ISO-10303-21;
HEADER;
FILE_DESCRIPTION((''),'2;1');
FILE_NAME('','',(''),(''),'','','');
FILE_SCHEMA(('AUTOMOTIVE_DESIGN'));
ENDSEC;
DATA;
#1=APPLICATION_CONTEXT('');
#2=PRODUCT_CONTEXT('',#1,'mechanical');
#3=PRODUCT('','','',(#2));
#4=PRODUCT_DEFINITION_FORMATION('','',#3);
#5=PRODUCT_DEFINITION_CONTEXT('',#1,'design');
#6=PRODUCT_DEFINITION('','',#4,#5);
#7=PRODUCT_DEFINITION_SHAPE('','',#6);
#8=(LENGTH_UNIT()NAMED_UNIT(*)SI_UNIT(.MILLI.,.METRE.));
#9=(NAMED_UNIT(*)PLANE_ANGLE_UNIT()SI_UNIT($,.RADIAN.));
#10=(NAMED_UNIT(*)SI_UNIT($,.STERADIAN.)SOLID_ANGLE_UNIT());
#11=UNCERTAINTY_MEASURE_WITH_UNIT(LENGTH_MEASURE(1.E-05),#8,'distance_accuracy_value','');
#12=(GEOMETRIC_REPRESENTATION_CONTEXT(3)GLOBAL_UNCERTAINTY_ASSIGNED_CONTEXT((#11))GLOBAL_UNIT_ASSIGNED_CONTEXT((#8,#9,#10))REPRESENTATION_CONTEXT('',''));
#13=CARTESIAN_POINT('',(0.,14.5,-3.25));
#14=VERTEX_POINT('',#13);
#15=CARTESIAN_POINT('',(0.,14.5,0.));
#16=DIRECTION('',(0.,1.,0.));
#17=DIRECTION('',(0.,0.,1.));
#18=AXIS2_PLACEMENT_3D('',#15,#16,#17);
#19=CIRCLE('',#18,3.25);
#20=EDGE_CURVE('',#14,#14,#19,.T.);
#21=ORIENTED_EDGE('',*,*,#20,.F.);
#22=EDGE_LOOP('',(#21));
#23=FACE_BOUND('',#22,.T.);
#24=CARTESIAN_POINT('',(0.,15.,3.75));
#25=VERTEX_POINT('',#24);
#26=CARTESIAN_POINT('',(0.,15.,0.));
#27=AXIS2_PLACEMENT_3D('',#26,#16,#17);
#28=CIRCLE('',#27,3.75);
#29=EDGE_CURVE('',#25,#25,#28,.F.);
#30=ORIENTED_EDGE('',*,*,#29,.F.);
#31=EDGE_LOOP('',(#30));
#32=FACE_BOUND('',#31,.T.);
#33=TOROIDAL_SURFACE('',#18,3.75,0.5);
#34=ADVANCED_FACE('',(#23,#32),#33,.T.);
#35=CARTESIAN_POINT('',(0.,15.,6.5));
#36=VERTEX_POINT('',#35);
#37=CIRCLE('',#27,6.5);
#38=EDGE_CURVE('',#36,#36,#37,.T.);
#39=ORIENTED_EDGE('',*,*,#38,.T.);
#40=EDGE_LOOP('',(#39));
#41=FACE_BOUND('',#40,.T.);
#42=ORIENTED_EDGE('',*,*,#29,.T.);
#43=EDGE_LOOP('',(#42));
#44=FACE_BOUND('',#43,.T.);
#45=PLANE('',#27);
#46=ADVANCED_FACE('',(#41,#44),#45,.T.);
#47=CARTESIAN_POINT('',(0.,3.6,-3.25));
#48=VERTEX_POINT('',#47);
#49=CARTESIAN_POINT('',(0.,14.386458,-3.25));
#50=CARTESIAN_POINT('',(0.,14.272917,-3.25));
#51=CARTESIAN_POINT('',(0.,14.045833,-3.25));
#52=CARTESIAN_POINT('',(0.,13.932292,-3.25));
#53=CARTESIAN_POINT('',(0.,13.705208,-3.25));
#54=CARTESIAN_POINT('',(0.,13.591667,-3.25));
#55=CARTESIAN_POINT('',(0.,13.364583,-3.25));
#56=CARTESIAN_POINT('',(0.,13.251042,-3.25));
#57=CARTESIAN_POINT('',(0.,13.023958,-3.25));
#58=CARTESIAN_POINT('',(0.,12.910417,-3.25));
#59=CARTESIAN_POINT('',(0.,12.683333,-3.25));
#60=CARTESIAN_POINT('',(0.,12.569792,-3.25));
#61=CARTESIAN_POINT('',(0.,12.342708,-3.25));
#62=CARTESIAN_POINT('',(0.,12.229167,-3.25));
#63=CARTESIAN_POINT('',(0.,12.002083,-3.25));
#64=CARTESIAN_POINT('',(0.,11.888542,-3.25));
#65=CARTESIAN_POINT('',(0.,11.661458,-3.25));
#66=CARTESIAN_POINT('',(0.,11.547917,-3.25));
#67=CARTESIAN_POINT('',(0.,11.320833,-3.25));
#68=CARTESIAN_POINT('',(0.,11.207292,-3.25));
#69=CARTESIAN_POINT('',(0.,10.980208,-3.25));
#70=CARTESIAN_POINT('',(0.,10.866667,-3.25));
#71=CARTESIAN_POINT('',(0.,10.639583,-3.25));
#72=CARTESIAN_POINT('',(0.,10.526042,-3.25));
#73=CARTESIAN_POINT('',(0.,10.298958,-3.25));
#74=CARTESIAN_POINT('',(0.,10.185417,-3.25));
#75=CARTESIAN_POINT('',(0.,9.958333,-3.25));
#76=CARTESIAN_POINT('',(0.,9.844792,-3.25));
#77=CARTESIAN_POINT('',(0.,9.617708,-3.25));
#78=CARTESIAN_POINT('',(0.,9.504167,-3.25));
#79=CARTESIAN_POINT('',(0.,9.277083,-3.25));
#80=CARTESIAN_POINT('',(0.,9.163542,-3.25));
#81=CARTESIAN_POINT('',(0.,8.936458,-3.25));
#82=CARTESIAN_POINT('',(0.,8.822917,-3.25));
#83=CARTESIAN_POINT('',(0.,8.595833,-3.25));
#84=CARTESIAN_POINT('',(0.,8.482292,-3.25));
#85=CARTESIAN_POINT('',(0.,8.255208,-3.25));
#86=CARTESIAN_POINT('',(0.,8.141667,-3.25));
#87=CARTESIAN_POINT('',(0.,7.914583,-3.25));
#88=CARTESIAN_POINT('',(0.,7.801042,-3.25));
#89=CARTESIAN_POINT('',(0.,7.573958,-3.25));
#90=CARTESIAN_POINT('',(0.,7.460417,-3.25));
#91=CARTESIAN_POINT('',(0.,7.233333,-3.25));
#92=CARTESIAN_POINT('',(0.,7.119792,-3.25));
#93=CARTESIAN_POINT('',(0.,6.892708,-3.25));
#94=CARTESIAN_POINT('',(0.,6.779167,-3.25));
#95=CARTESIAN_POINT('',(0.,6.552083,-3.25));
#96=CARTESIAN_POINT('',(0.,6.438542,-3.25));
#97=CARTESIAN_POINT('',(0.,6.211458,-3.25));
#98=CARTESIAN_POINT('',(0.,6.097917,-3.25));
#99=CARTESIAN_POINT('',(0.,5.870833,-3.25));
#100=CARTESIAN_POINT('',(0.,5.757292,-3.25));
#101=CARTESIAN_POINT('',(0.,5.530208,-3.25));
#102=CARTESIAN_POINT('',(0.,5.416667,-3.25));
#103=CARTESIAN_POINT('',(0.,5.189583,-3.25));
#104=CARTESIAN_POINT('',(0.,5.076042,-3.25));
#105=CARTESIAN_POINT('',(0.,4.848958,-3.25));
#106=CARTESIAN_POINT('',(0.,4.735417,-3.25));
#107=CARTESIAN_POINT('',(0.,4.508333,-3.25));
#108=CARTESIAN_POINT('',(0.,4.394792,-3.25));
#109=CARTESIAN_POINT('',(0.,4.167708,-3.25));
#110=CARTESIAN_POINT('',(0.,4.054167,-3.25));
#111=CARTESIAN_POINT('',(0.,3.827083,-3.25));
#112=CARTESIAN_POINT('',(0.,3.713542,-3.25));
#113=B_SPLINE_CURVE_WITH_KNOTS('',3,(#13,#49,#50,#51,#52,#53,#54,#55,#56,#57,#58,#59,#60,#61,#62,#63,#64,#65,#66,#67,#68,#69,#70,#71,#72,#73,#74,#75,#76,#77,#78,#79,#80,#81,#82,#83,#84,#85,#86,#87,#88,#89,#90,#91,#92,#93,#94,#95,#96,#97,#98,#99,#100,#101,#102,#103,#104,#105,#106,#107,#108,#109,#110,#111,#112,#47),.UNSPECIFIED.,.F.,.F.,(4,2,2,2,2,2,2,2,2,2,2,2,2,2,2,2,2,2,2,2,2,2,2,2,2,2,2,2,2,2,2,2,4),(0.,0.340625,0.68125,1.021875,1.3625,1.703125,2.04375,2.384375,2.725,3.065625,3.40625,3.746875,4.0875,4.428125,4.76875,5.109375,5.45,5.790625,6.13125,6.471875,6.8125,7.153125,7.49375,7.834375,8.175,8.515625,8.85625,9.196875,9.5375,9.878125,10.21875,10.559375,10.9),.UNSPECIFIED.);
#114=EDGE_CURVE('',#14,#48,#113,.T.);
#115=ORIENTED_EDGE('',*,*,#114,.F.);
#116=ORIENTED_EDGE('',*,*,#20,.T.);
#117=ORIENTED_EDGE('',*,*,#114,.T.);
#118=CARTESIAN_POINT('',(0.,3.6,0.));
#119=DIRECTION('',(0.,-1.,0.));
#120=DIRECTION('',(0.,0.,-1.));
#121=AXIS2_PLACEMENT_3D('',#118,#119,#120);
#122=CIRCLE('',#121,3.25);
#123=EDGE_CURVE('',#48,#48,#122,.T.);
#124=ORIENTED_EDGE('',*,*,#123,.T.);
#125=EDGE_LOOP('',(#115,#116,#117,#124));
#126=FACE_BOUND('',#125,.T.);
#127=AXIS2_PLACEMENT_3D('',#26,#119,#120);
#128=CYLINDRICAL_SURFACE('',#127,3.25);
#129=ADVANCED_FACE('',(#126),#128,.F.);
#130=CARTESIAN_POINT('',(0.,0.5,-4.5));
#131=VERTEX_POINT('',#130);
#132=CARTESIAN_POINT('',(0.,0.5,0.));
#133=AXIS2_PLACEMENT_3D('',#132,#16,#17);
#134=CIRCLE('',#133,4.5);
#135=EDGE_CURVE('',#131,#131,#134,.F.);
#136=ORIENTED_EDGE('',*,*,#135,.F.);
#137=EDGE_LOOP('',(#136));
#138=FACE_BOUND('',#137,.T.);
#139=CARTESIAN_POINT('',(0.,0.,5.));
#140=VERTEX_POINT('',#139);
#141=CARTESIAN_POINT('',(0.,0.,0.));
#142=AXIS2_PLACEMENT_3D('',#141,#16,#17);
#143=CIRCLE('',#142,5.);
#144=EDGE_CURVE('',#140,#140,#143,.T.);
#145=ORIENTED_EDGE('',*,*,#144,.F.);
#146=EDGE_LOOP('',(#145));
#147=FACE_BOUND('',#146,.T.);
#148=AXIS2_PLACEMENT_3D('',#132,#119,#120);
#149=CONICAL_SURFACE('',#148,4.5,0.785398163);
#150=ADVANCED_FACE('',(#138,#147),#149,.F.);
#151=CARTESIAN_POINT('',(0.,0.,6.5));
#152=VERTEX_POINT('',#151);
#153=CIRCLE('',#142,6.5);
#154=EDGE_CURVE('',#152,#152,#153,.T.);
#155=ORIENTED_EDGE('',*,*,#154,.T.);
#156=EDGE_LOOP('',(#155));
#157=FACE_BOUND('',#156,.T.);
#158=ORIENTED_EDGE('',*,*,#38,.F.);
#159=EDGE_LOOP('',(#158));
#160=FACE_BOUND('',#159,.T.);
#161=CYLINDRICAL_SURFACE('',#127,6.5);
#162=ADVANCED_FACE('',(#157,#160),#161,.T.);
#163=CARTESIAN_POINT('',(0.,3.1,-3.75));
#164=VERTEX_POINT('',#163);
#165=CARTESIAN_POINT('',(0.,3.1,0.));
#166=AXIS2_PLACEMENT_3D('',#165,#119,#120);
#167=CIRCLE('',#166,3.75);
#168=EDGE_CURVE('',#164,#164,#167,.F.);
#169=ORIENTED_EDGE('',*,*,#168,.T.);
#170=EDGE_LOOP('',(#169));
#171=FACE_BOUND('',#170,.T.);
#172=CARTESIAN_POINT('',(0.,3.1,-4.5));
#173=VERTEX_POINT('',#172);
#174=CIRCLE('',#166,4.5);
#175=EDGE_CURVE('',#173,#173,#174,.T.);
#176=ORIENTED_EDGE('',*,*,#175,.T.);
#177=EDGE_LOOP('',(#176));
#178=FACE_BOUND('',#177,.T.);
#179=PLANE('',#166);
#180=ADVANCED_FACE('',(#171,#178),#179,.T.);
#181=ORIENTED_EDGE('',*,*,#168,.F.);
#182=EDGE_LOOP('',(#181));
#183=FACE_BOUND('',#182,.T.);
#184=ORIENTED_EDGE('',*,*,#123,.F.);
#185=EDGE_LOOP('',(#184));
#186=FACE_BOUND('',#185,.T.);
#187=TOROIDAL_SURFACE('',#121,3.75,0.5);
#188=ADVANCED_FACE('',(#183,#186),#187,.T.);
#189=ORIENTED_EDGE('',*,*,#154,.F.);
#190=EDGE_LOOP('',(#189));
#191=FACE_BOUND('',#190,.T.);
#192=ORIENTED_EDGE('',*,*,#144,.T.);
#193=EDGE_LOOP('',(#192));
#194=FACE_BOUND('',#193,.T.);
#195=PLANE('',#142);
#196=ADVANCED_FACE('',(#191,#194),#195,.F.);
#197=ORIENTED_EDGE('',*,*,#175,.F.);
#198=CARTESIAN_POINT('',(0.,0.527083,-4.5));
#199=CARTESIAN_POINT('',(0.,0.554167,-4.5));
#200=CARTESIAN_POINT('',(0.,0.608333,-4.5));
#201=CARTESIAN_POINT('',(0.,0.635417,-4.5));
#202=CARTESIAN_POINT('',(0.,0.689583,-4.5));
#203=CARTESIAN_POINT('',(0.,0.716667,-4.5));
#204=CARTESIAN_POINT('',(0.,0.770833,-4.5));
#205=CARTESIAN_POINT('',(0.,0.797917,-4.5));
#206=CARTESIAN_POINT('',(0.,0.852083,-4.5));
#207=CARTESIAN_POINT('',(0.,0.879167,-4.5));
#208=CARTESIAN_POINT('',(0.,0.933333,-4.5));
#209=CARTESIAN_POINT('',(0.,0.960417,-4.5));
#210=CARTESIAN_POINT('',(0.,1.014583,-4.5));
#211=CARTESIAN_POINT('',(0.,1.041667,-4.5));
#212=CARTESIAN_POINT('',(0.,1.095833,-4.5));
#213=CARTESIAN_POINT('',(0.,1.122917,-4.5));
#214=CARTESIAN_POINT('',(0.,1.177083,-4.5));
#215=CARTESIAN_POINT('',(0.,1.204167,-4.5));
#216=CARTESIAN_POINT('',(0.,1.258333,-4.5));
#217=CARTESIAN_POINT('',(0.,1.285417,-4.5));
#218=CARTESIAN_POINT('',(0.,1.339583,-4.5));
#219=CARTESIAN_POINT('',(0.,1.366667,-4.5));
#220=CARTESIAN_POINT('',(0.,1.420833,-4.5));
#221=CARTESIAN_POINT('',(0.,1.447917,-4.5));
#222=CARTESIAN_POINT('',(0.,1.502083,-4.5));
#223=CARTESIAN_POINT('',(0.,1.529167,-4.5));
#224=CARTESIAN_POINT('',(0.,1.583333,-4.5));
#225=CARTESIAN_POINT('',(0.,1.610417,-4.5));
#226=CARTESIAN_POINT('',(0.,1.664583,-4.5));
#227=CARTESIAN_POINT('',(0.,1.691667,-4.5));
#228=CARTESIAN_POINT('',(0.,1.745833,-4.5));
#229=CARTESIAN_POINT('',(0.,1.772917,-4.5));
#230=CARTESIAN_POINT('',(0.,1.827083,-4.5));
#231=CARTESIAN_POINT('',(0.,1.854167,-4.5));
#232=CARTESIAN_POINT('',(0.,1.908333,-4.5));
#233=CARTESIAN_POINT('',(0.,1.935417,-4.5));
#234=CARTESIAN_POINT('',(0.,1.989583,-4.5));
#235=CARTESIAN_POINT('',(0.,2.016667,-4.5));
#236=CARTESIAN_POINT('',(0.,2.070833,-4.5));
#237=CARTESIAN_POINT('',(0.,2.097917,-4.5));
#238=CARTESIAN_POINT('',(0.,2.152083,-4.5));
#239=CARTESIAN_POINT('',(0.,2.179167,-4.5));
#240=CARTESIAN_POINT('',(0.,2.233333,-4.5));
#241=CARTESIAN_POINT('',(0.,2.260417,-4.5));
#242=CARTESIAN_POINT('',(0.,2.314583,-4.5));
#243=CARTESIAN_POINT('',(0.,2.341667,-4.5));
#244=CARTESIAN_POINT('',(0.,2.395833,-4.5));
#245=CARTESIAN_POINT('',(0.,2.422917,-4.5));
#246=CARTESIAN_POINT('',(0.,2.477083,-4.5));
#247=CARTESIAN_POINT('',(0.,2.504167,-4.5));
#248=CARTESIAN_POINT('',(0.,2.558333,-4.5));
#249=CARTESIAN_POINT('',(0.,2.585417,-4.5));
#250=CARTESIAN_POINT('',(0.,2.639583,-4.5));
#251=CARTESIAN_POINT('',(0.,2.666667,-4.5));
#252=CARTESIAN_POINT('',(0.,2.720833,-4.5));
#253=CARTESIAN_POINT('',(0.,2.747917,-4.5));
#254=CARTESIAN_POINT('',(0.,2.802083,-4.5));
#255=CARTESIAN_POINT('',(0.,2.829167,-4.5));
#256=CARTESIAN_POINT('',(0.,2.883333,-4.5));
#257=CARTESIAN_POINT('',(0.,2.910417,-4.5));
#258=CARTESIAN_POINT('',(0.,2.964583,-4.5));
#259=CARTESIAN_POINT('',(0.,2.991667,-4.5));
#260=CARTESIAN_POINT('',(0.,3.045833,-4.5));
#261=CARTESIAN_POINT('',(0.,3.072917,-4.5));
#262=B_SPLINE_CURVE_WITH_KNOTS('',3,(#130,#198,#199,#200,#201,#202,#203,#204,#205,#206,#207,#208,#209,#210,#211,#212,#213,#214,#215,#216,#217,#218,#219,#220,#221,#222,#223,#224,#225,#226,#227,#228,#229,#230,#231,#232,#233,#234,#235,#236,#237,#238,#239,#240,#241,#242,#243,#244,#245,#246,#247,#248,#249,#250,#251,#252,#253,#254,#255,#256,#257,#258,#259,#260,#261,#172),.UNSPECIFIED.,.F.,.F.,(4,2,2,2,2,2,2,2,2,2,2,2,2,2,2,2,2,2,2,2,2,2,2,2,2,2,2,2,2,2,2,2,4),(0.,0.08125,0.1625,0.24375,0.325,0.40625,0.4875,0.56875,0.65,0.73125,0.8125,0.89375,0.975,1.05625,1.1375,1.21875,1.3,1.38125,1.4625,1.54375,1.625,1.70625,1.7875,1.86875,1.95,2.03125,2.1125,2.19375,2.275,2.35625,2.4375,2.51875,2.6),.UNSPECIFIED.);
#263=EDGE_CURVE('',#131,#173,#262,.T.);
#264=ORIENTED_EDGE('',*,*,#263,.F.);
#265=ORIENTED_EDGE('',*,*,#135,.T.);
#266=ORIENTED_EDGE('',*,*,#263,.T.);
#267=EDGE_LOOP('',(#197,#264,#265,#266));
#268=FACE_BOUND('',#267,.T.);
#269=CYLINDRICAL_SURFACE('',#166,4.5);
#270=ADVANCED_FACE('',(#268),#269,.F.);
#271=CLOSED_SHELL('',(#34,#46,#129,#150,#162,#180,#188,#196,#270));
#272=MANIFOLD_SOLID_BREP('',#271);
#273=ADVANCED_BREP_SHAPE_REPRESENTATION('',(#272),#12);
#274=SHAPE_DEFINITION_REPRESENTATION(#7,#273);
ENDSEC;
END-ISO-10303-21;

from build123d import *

# Parameters (mm, degrees)
ESBO_O1_R                = 6.5
RESSALTO_EXTRUS_O1_DEPTH = 15
ESBO_O4_R                = 4.5
CORTE_EXTRUS_O1_DEPTH    = 3.1
ESBO_O5_R                = 3.25
CORTE_EXTRUS_O2_DEPTH    = 16.036954479
CHANFRO1_SIZE            = 0.5
FILETE1_R                = 0.5
FILETE2_R                = 0.5


with BuildPart() as part:
    # Esboço1 → Ressalto-extrusão1 (new body)
    with BuildSketch(Plane(origin=(0, 0, 0), x_dir=(1, 0, 0), z_dir=(0, 1, 0))):
        with Locations(Location((0, 0, 0), (0, 0, 270))):
            Circle(ESBO_O1_R)
    extrude(amount=RESSALTO_EXTRUS_O1_DEPTH)

    # Esboço4 → Corte-extrusão1 (cut)
    with BuildSketch(Plane.XZ):
        with Locations(Location((0, 0, 0), (0, 0, 270))):
            Circle(ESBO_O4_R)
    extrude(amount=-CORTE_EXTRUS_O1_DEPTH, mode=Mode.SUBTRACT)

    # Esboço5 → Corte-extrusão2 (cut, through all)
    with BuildSketch(Plane.XZ.offset(-3.1)):
        with Locations(Location((0, 0, 0), (0, 0, 270))):
            Circle(ESBO_O5_R)
    extrude(amount=-CORTE_EXTRUS_O2_DEPTH, mode=Mode.SUBTRACT)

    # Chanfro1
    chanfro1_edges = [part.edges().sort_by_distance(p)[0] for p in [
        (0, 0, 4.5),
    ]]
    chamfer(chanfro1_edges, length=CHANFRO1_SIZE)

    # Filete1
    filete1_edges = [part.edges().sort_by_distance(p)[0] for p in [
        (0, 3.1, 3.25),
    ]]
    fillet(filete1_edges, radius=FILETE1_R)

    # Filete2
    filete2_edges = [part.edges().sort_by_distance(p)[0] for p in [
        (0, 15, 3.25),
    ]]
    fillet(filete2_edges, radius=FILETE2_R)


solid = part.part
